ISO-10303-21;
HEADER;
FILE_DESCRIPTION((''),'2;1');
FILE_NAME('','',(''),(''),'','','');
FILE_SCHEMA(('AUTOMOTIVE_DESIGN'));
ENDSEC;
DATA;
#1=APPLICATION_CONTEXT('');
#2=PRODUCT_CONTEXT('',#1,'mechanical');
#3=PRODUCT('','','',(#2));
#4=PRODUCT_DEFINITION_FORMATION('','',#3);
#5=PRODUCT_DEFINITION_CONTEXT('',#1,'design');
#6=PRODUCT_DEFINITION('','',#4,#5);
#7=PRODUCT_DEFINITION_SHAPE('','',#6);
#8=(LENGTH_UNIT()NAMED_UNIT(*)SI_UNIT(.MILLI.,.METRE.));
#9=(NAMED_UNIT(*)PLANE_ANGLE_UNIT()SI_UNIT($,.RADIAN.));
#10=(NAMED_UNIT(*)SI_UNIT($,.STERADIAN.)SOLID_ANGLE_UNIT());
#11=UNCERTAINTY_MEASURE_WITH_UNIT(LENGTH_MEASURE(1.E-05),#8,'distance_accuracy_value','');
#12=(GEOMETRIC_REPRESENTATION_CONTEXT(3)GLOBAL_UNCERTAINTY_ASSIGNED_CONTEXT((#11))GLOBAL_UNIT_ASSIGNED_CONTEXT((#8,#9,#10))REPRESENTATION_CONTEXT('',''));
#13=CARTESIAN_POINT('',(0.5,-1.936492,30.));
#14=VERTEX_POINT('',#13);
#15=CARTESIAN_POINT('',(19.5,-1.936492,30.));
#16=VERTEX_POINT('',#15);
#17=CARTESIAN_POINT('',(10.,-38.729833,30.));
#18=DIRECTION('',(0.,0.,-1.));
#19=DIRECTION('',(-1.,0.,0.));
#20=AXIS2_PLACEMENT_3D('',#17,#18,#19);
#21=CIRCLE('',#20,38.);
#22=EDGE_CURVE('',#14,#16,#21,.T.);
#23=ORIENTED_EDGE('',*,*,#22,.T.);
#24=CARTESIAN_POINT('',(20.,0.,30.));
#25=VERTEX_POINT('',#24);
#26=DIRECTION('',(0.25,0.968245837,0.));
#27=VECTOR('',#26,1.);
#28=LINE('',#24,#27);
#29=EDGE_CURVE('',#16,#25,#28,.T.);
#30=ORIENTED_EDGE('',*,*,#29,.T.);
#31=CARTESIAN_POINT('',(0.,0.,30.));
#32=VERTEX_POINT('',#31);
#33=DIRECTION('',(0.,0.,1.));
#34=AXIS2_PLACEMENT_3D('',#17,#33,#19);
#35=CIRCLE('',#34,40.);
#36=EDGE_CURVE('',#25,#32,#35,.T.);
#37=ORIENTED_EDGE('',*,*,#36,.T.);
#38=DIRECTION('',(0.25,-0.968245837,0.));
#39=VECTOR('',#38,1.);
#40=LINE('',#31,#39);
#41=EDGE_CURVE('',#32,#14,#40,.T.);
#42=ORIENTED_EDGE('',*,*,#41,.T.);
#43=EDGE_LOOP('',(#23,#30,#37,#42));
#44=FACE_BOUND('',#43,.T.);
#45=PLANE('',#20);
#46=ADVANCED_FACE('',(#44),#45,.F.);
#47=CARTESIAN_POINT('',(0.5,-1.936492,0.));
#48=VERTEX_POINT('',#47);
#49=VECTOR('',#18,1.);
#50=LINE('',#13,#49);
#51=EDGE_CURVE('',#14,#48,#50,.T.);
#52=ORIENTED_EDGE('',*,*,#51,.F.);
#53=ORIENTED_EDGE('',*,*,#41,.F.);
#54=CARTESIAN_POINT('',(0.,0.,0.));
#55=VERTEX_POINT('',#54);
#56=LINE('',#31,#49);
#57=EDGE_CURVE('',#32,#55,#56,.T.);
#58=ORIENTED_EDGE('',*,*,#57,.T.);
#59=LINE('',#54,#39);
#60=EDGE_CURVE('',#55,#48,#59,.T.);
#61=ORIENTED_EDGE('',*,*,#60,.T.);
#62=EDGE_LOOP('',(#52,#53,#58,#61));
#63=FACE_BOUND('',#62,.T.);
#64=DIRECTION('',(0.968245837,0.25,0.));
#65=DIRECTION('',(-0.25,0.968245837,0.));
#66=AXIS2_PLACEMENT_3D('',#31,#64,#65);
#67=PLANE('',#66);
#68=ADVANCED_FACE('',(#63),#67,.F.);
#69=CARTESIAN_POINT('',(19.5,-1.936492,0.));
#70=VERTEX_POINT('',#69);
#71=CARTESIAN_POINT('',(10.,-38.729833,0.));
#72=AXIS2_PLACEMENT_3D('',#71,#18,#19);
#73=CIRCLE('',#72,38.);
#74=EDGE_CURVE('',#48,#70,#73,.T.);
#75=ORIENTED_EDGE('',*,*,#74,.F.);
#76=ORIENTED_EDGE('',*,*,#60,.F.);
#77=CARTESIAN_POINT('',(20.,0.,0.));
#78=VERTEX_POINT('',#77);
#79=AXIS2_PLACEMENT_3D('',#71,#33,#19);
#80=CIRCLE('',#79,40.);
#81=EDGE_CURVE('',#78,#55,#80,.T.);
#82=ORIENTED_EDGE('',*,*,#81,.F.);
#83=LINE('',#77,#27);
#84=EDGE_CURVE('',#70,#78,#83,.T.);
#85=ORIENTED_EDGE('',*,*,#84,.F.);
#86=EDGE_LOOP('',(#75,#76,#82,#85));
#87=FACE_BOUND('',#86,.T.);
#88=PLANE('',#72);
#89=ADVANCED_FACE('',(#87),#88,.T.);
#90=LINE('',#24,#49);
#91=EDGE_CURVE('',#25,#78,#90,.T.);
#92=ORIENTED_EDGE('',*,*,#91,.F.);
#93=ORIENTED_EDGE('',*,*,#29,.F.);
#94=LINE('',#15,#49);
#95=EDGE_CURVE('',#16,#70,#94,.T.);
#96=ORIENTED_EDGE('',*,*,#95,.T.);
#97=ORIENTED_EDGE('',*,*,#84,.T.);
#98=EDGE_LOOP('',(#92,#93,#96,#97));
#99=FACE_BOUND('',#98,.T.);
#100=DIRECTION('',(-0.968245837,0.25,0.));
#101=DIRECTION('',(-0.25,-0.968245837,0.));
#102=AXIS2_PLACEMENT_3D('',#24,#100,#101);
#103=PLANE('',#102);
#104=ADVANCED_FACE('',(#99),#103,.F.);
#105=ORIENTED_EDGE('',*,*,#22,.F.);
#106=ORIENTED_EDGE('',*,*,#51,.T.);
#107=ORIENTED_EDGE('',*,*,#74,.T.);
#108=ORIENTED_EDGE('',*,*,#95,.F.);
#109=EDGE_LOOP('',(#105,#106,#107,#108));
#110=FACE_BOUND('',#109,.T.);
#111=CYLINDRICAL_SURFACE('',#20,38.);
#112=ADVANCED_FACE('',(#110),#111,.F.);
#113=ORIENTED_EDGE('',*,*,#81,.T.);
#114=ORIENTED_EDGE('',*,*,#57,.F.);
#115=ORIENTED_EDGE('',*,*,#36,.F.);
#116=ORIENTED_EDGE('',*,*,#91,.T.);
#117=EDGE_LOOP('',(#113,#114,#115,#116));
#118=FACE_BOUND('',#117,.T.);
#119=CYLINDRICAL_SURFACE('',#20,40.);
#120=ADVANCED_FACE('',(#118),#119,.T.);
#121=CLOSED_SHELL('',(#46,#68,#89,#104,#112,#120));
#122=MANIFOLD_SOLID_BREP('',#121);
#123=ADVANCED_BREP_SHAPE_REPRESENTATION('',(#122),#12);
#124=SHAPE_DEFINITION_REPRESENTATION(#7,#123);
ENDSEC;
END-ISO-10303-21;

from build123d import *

# Parameters (mm, degrees)
BOSS_EXTRU_1_DEPTH = 30


with BuildPart() as part:
    # Esquisse1 → Boss.-Extru.1 (new body)
    with BuildSketch(Plane.XY):
        with BuildLine():
            Line((0, 0), (0.5, -1.936491673))
            ThreePointArc((0.5, -1.936491673), (10, -0.729833462), (19.5, -1.936491673))
            Line((19.5, -1.936491673), (20, 0))
            ThreePointArc((20, 0), (10, 1.270166538), (0, 0))
        make_face()
    extrude(amount=BOSS_EXTRU_1_DEPTH)


solid = part.part
